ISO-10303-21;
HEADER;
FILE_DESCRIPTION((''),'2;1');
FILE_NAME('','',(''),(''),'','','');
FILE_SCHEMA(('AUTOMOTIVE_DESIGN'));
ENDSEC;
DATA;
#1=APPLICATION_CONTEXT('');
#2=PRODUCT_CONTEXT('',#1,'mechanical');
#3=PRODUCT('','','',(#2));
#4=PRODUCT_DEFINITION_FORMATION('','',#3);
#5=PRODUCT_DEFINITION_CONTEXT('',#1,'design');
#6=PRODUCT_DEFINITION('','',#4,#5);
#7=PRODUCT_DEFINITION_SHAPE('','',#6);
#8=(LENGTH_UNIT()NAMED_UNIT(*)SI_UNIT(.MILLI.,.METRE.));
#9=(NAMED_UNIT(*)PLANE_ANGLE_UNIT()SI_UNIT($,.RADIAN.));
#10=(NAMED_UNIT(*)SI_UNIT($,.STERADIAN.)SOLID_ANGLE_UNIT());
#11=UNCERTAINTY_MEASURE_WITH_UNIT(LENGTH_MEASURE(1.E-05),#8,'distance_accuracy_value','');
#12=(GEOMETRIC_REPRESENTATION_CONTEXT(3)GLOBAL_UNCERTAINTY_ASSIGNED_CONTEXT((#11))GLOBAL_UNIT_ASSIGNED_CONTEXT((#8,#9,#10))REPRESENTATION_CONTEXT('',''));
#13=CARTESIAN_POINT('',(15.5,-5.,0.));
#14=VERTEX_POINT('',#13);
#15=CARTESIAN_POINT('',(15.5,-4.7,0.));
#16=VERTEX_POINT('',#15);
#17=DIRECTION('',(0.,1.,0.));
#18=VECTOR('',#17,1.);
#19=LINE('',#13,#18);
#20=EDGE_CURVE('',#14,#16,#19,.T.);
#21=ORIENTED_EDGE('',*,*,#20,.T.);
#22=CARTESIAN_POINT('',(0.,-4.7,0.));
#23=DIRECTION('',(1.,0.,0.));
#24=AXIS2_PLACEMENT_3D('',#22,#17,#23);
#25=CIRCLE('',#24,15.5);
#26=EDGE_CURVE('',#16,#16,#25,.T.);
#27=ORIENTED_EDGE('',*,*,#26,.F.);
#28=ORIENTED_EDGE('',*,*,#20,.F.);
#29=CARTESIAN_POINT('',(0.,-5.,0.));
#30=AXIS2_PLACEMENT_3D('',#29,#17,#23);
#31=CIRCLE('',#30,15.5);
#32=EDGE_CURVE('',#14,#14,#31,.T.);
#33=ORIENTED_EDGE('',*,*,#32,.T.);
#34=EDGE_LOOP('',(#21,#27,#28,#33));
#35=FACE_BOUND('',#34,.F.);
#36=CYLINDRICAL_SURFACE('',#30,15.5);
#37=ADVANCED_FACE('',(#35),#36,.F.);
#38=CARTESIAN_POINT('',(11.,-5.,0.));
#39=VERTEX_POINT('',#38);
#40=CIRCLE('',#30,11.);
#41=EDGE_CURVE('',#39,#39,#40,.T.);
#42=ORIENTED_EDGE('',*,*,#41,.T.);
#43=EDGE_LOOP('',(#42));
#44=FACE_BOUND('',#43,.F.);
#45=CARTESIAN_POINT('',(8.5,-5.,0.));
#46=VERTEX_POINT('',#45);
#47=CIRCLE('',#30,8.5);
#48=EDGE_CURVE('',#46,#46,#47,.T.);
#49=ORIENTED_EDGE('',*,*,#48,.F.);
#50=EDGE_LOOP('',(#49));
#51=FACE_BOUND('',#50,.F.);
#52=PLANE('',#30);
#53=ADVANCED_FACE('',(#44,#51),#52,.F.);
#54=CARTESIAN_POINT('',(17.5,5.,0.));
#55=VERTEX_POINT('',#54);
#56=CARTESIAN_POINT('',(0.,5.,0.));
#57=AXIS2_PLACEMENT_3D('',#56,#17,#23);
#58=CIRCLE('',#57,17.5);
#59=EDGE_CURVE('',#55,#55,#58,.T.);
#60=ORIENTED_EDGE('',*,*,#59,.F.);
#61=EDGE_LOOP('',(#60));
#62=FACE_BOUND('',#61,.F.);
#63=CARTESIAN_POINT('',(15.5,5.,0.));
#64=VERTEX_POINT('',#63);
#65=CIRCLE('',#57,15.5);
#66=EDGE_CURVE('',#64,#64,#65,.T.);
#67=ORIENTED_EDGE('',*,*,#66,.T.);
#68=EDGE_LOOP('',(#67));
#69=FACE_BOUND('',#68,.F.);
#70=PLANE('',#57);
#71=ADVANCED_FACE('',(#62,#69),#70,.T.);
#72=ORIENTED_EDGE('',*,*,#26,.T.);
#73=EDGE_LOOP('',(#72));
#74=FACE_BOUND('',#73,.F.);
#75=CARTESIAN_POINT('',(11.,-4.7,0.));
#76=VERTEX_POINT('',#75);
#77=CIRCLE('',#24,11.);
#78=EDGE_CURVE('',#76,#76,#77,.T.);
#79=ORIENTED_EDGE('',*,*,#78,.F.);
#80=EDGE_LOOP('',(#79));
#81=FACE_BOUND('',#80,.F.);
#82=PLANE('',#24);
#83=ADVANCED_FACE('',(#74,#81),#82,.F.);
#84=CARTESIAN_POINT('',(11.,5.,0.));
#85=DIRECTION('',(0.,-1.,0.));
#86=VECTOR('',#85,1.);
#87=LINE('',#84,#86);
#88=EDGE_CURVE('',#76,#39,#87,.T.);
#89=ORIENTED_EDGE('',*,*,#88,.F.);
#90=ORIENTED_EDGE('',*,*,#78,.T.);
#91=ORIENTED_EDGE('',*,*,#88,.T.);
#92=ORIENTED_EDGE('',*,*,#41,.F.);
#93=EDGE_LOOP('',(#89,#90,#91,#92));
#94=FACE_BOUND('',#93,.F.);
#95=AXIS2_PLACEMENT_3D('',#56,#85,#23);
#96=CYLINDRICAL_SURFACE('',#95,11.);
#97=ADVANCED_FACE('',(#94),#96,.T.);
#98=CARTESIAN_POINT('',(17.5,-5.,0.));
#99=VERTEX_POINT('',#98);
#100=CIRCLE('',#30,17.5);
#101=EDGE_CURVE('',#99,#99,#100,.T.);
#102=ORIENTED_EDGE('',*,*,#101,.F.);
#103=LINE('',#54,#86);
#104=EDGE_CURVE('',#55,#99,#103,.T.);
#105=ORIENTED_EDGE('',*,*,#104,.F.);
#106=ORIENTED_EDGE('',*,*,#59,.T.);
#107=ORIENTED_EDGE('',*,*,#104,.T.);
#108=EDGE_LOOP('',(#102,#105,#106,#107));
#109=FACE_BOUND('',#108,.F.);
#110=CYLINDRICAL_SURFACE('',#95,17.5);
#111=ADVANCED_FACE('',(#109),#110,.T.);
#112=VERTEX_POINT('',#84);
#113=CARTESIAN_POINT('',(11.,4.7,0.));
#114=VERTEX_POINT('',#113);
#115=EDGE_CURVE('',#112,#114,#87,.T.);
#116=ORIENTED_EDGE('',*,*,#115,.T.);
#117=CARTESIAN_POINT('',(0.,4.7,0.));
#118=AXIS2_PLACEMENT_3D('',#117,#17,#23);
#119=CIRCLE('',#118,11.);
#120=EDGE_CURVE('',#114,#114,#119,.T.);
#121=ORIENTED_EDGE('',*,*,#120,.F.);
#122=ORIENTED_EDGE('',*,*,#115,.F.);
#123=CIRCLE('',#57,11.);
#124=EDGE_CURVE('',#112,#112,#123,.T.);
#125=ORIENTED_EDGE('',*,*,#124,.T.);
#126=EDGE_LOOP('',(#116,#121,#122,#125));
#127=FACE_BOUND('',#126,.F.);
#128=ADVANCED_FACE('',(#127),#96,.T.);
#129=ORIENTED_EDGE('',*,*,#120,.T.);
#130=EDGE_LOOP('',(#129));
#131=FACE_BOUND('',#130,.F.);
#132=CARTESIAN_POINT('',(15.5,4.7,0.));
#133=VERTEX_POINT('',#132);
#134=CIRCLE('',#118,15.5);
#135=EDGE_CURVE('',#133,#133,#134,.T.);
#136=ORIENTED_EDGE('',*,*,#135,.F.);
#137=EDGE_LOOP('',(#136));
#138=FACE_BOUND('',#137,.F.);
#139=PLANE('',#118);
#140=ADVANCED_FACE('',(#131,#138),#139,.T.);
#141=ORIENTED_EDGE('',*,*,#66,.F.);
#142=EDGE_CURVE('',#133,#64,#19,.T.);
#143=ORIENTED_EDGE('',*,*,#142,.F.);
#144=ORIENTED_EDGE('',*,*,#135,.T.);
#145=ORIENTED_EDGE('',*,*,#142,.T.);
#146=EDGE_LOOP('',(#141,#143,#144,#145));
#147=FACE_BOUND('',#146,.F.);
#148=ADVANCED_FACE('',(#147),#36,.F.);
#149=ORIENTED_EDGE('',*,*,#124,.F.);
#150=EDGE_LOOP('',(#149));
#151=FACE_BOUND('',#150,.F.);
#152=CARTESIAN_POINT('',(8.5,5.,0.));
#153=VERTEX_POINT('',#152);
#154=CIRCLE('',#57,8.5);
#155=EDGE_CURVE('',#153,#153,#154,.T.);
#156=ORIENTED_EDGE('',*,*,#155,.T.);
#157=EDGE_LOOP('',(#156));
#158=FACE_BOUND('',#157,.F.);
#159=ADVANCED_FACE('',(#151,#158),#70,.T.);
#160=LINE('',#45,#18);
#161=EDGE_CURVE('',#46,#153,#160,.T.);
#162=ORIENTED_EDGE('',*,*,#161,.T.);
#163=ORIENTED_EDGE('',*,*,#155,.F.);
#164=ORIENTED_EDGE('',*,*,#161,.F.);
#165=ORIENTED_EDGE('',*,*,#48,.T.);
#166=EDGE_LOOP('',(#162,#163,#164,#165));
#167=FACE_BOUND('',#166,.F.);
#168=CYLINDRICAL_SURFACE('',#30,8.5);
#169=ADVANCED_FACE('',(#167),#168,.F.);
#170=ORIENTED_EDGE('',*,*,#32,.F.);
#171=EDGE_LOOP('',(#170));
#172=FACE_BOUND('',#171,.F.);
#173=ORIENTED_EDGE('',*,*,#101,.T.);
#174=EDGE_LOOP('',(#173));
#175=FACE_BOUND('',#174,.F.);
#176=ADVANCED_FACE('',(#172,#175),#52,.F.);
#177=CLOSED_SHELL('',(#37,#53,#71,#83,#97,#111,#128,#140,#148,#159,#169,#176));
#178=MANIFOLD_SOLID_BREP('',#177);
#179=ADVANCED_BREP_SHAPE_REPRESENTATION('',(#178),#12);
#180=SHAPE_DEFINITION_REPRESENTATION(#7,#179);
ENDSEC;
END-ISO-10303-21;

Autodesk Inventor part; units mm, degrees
ref_plane "YZ Plane" through (0, 0, 0) normal (1, 0, 0) x (0, 1, 0)
ref_plane "XZ Plane" through (0, 0, 0) normal (0, 1, 0) x (-1, 0, 0)
ref_plane "XY Plane" through (0, 0, 0) normal (0, 0, 1) x (1, 0, 0)
sketch "Sketch1" plane through (0, 0, 0) normal (0, 0, 1) x (1, 0, 0)
  line L0 (0, 0) -> (0, 10) construction
  line L1 (0, 0) -> (10, 0) construction
  line L2 (8.5, 5) -> (11, 5)
  line L3 (11, 5) -> (11, -5)
  line L4 (11, -5) -> (8.5, -5)
  line L5 (8.5, -5) -> (8.5, 5)
  line L6 (11, 4.7) -> (15.5, 4.7)
  line L7 (15.5, 4.7) -> (15.5, -4.7)
  line L8 (15.5, -4.7) -> (11, -4.7)
  line L9 (11, -4.7) -> (11, 4.7)
  line L10 (15.5, 5) -> (17.5, 5)
  line L11 (17.5, 5) -> (17.5, -5)
  line L12 (17.5, -5) -> (15.5, -5)
  line L13 (15.5, -5) -> (15.5, 5)
  dimension "d0" = 10
  dimension "d1" = 90
  dimension "d2" = 2.5
  dimension "d3" = 10
  dimension "d5" = 9.4
  dimension "d6" = 0.3
  dimension "d7" = 5
  dimension "d8" = 2
  dimension "d9" = 10
  dimension "d10" = 8.5
  dimension "d11" = 5
  dimension "d13" = 17.5
revolve "Revolution1" add sketch "Sketch1" angle 360 about axis through (0, 0, 0) along (0, 1, 0)
equation "\"d5\" = d9 - 2 * d6"
equation "\"d7\" = 0.5 * d3"
equation "\"d9\" = d3"
equation "\"d11\" = d7"
properties part number "6003-2rs_17x35x10" material "Steel"
